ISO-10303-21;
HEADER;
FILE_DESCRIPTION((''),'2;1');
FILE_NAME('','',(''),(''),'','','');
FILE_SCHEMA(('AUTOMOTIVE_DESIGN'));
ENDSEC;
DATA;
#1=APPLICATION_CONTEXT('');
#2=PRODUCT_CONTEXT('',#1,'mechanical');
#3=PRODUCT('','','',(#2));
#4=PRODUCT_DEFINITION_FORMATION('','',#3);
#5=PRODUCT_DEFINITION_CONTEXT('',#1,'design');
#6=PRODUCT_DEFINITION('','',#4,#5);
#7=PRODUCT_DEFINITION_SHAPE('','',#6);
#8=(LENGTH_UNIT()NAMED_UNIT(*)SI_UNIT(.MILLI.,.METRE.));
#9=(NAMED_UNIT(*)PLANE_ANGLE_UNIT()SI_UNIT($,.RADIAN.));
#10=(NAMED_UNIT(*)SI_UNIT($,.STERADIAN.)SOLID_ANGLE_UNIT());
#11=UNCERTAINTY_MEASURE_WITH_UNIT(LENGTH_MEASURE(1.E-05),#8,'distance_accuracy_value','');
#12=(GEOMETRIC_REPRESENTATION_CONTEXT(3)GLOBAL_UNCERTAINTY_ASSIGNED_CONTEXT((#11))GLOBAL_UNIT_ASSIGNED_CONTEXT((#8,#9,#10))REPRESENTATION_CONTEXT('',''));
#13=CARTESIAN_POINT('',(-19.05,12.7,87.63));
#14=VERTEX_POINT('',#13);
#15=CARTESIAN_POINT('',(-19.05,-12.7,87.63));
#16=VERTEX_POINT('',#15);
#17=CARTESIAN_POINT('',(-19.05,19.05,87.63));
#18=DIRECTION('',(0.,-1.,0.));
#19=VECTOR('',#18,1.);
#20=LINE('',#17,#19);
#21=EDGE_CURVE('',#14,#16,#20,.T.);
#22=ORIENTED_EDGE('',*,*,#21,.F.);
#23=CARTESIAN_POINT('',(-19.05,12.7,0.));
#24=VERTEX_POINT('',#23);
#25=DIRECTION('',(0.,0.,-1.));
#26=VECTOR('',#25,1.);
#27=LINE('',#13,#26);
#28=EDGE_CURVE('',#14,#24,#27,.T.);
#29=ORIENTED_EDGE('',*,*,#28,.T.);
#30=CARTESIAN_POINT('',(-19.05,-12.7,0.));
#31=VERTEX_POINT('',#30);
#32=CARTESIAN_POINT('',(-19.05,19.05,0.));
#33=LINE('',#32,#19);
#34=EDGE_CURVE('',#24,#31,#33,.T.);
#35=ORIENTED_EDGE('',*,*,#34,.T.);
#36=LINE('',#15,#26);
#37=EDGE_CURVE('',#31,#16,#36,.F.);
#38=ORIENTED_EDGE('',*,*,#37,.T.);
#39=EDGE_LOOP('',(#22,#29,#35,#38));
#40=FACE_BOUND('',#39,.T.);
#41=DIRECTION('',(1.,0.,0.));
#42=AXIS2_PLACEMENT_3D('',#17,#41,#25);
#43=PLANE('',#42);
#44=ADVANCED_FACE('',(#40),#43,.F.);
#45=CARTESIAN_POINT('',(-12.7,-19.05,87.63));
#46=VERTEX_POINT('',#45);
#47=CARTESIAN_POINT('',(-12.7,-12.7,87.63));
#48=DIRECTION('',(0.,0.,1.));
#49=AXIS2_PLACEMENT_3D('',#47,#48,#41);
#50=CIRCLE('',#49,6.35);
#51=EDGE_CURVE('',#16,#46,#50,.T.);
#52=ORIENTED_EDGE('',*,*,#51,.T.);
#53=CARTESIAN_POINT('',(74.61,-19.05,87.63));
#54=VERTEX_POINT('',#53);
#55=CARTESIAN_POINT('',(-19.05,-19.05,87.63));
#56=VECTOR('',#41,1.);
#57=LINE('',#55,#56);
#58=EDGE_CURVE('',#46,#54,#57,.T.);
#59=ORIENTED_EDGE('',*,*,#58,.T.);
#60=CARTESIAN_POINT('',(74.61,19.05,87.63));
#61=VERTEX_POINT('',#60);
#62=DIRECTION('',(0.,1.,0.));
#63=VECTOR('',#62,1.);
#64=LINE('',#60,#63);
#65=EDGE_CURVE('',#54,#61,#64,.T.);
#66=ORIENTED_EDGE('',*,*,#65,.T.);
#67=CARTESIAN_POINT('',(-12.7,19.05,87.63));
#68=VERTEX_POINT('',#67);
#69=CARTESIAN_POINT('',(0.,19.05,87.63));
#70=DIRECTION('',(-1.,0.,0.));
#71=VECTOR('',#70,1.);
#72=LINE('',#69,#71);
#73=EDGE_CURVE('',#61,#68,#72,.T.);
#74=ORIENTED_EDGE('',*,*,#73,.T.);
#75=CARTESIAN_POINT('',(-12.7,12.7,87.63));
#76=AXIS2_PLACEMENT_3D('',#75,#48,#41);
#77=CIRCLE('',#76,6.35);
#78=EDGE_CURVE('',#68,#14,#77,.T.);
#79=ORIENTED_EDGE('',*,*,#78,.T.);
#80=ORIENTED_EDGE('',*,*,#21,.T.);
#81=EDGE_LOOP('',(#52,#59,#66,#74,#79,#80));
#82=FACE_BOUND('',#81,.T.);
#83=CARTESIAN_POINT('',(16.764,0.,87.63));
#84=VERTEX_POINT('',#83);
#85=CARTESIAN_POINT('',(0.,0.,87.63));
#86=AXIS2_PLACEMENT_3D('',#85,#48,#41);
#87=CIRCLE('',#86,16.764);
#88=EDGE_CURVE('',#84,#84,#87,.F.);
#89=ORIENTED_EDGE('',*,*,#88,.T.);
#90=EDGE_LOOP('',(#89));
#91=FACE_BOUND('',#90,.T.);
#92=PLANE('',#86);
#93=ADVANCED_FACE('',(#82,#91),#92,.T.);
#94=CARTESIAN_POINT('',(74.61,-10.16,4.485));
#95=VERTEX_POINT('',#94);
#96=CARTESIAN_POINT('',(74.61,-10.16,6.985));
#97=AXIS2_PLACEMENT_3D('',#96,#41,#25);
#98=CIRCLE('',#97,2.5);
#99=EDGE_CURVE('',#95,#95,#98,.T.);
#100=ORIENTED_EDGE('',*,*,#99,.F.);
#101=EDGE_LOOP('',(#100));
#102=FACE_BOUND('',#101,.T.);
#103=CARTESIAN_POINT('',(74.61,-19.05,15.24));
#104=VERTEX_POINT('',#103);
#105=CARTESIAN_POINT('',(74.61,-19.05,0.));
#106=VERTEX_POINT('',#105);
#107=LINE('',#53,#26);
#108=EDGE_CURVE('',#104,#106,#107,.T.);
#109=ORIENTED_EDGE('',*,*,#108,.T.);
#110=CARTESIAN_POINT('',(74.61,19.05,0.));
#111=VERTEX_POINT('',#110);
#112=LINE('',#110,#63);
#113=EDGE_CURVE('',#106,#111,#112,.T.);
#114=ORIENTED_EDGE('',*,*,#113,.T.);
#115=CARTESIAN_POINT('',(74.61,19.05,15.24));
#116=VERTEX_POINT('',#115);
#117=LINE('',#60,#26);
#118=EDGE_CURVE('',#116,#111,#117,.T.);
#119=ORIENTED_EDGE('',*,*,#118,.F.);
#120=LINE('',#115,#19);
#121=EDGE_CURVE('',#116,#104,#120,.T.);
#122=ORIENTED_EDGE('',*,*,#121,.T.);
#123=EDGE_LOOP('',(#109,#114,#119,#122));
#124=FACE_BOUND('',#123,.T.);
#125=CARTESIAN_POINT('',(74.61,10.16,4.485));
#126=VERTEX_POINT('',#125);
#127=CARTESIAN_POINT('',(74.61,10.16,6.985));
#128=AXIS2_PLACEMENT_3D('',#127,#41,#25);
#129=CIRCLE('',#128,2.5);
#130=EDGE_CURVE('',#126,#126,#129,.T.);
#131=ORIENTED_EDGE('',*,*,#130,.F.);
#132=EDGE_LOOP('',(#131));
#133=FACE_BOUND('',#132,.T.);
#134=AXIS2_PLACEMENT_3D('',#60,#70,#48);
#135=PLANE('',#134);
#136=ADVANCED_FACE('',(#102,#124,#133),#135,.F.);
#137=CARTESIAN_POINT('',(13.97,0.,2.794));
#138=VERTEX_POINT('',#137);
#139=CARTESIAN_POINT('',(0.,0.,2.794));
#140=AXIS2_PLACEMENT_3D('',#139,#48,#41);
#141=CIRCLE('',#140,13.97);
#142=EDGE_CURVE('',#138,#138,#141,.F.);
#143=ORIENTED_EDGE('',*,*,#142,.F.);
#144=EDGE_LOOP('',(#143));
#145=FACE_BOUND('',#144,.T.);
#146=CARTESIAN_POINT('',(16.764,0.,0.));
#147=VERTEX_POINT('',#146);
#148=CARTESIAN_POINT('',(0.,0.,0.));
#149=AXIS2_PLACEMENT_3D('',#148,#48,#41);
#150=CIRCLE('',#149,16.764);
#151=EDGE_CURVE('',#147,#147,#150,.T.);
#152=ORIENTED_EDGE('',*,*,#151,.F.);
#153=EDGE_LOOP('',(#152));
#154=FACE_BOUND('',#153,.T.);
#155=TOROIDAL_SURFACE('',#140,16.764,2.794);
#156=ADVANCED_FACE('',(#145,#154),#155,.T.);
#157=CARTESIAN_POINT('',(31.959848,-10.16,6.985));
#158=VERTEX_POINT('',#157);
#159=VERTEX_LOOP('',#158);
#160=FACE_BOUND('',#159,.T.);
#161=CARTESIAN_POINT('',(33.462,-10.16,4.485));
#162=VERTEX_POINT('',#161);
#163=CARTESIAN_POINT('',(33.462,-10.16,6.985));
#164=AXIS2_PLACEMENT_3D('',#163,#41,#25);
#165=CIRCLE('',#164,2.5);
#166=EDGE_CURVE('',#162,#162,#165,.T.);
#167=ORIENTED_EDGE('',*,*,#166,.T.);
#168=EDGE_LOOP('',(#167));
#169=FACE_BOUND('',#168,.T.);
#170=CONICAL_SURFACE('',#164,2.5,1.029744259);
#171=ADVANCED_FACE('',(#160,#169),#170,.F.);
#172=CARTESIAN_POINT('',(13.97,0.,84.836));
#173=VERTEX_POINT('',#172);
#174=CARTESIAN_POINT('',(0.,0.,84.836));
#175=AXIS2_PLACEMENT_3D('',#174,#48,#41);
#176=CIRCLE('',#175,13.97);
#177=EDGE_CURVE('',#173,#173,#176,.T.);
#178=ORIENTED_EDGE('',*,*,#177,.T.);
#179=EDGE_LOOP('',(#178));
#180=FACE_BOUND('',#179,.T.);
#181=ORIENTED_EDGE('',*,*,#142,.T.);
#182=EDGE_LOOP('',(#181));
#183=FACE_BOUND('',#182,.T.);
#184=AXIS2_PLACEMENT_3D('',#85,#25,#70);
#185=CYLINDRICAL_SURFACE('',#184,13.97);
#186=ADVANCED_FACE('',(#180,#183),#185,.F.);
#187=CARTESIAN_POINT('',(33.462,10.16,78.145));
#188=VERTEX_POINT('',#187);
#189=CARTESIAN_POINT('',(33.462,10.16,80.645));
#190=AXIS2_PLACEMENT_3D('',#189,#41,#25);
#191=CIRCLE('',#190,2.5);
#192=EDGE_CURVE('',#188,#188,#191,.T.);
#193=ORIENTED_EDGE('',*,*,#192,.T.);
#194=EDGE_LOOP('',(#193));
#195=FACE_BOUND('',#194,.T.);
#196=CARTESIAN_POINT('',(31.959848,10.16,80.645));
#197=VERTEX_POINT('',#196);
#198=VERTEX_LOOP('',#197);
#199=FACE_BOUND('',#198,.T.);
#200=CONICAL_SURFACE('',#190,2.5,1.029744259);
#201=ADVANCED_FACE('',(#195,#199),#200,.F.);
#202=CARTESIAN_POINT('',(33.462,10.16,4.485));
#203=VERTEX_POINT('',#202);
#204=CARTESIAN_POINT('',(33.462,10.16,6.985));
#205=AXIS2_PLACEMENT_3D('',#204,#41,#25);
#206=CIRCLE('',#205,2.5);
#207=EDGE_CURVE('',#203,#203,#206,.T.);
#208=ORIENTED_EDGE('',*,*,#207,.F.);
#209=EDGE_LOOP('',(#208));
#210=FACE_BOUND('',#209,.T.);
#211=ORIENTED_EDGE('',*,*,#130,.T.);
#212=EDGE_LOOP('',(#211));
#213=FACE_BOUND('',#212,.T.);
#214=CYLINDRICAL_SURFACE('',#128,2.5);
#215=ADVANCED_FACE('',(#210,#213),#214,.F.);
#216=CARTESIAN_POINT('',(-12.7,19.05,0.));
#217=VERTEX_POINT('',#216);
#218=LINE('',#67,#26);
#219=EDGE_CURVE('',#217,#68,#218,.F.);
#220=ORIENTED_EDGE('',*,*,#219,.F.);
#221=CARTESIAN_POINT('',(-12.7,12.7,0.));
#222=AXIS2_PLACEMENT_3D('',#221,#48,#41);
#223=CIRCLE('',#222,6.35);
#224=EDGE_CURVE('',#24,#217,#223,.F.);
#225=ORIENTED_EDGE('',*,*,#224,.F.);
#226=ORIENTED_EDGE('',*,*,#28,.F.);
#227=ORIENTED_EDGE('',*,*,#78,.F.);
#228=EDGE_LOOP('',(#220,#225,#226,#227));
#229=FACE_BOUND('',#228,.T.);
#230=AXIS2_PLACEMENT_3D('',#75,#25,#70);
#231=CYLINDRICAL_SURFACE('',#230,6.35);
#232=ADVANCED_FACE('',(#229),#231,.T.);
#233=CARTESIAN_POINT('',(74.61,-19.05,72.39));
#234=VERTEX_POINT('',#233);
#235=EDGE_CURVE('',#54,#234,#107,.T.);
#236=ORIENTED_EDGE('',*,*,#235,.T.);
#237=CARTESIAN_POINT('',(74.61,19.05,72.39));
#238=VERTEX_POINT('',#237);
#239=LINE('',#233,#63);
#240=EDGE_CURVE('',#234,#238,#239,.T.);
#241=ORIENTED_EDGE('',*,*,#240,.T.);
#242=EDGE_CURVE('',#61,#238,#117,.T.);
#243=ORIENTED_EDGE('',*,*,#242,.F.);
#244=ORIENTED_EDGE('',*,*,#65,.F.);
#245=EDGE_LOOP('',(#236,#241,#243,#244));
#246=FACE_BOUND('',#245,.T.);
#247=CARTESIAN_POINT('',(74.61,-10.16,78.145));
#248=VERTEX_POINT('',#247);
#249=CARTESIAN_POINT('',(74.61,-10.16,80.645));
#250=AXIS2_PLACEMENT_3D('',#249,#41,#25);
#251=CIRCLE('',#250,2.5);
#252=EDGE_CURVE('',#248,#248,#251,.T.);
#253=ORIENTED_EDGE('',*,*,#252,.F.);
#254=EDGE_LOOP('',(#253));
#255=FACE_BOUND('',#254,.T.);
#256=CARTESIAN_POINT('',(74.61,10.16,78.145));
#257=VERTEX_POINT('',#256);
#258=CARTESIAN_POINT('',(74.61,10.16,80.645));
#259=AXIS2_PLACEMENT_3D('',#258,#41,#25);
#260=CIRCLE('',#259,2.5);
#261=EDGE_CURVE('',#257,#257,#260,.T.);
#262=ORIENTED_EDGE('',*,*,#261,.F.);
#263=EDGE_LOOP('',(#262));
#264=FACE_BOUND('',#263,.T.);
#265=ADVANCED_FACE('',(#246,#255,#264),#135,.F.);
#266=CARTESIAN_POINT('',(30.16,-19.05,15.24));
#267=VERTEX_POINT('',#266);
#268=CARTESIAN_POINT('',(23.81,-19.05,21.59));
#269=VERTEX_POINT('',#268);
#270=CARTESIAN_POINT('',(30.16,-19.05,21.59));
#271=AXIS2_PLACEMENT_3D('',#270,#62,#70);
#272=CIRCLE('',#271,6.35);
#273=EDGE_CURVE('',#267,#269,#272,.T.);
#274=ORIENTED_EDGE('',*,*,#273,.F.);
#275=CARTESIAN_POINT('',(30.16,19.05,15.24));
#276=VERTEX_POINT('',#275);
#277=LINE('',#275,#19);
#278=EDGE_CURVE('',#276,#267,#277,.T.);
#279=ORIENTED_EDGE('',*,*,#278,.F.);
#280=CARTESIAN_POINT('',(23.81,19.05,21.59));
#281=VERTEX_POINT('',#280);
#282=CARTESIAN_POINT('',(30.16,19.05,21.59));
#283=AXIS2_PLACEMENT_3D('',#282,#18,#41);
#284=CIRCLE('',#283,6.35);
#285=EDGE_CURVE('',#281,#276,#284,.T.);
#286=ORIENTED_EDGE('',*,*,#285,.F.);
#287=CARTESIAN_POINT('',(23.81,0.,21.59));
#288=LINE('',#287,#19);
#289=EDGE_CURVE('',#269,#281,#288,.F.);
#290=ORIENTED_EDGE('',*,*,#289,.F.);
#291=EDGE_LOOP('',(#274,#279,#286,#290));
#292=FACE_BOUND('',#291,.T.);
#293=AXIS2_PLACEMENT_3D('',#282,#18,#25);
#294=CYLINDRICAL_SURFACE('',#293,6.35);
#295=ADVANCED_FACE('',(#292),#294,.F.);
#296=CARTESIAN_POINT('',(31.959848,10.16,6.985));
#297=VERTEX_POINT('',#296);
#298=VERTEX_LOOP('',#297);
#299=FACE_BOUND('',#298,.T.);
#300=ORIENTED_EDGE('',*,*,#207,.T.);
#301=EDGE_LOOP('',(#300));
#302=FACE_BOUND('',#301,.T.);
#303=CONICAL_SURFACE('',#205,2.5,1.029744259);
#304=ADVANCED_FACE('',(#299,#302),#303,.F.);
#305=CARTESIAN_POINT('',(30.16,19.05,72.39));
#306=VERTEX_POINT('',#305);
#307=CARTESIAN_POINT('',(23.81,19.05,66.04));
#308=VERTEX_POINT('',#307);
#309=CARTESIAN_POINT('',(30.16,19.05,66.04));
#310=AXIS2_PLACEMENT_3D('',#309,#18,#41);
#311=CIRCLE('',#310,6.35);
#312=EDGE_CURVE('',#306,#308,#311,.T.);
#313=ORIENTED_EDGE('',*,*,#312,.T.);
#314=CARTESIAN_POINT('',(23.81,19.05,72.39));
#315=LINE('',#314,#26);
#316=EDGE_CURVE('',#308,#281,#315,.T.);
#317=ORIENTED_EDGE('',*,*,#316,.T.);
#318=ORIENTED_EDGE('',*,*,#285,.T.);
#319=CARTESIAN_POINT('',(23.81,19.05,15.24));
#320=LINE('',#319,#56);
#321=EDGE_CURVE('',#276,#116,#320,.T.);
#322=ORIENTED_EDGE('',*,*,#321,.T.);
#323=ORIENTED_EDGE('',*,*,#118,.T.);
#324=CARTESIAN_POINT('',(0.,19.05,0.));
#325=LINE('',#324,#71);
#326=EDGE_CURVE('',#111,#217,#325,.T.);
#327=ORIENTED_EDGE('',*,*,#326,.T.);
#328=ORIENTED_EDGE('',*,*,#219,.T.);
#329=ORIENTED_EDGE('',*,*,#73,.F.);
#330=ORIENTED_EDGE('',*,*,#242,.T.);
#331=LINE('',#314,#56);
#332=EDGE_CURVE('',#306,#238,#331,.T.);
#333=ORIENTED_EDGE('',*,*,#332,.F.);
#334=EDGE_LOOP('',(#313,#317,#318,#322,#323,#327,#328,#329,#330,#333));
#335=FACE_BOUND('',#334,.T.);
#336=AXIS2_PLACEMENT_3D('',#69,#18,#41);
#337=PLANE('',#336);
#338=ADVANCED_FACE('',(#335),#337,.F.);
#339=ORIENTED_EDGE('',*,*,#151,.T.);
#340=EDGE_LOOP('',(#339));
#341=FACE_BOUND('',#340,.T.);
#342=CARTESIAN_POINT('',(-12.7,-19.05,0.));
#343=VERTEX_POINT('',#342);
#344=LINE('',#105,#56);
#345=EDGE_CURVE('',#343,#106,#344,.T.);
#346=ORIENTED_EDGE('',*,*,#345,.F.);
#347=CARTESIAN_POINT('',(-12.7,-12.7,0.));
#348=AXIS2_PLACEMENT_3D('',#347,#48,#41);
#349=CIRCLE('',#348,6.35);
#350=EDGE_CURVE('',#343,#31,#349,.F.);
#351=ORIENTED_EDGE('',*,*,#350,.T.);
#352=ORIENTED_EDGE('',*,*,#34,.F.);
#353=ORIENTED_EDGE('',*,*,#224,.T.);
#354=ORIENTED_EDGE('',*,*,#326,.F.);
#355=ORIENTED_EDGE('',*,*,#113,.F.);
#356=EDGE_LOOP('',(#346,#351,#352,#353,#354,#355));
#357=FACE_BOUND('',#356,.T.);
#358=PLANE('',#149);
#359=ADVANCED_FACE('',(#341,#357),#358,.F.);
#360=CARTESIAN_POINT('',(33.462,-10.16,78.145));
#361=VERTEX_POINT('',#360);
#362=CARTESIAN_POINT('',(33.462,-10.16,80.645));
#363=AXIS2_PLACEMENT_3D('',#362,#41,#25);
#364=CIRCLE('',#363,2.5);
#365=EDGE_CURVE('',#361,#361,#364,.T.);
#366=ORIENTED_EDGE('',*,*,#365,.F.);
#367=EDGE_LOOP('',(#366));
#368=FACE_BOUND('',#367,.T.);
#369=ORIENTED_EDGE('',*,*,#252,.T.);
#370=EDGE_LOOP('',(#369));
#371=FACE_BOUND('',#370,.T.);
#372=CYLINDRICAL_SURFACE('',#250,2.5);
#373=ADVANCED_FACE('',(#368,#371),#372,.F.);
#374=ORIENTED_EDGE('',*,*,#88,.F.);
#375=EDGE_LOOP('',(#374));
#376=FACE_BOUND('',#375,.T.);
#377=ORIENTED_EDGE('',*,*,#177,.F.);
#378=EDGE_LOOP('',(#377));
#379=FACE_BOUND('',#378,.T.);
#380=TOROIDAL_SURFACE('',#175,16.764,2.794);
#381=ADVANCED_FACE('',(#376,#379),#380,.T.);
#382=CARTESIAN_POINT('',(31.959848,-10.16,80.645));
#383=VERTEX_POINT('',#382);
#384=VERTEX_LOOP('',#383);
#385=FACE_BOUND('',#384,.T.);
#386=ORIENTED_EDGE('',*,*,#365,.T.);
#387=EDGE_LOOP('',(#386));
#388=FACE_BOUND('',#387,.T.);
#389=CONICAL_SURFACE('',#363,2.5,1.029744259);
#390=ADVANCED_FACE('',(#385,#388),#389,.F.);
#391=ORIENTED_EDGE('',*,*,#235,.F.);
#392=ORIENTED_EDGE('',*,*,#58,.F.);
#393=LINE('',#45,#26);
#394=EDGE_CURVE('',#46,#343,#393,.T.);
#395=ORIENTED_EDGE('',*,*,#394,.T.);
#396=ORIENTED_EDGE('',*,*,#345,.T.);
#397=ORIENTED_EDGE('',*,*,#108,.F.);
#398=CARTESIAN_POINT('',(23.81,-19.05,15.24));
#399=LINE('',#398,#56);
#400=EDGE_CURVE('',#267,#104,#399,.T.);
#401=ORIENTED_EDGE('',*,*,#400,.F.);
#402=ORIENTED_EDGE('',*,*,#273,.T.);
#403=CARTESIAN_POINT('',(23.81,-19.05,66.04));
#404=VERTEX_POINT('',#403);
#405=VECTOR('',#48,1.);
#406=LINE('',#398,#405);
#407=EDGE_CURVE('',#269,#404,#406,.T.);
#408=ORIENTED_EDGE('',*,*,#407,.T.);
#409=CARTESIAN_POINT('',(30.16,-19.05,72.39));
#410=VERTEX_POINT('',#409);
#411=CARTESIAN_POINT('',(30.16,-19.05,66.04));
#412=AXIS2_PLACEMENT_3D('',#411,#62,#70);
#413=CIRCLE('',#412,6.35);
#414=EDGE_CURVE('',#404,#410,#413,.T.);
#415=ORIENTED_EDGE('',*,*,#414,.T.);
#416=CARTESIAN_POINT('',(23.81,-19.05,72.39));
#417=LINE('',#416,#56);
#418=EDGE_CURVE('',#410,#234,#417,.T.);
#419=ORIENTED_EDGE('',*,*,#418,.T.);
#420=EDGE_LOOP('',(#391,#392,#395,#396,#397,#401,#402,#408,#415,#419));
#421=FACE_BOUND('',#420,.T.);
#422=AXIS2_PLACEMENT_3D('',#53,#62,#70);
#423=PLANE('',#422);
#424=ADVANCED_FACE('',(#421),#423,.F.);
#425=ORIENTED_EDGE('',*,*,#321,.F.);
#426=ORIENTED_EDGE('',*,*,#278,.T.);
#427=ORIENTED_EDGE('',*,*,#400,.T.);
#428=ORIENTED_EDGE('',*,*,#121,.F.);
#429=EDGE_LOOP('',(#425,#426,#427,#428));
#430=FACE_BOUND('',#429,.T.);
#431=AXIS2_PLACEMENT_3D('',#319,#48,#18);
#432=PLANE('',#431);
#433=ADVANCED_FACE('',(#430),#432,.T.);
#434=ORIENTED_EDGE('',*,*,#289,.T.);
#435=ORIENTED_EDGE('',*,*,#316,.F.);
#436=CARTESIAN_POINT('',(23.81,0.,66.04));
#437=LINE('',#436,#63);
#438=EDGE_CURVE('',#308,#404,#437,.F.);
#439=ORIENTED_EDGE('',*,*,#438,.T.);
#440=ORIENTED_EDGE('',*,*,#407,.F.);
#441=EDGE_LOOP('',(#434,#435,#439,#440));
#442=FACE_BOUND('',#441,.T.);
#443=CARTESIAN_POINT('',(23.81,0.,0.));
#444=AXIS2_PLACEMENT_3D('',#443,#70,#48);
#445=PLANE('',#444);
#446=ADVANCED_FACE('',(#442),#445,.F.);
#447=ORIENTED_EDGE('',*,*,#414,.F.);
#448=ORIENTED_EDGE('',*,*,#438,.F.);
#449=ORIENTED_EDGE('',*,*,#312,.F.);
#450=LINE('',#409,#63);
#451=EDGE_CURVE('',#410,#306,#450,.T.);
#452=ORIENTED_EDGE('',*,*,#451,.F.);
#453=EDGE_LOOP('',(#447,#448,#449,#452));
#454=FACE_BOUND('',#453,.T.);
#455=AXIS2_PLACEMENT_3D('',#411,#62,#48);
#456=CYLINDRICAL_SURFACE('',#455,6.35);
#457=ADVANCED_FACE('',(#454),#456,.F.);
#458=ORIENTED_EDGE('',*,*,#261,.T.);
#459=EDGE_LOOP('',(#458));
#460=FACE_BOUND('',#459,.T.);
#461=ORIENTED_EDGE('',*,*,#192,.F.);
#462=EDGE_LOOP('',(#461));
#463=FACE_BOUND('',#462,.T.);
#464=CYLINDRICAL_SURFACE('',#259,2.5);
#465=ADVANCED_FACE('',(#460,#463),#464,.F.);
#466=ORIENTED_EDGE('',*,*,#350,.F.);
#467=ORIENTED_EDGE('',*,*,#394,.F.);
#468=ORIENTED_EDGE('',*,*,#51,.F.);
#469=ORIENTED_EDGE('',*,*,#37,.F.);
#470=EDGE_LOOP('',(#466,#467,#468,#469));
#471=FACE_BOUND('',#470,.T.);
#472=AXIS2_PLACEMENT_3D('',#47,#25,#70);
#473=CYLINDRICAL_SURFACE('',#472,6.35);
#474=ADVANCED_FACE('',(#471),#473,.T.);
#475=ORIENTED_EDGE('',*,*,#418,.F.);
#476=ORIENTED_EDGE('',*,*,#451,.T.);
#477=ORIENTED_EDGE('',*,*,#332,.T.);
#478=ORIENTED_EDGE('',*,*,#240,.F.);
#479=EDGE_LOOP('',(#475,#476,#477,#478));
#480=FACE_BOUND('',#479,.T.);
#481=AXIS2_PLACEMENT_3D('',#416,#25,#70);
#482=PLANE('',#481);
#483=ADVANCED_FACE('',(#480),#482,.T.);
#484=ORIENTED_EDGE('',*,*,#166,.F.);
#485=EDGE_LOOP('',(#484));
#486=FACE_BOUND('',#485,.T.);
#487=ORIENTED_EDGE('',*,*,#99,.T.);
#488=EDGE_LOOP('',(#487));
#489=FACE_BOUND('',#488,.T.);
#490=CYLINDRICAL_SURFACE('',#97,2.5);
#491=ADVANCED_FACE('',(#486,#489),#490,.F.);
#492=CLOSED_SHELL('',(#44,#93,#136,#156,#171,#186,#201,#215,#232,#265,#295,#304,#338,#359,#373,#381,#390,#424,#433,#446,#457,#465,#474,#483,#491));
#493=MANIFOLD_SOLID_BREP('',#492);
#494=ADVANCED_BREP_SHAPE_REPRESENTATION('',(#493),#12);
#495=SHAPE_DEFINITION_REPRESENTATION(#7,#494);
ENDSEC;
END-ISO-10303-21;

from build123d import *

# Parameters (mm, degrees)
SKETCH1_R                 = 13.97
BOSS_EXTRUDE1_DEPTH       = 87.63
FILLET3_R                 = 2.794
M6X1_0_TAPPED_HOLE1_D     = 5
M6X1_0_TAPPED_HOLE1_DEPTH = 41.148
M6X1_0_TAPPED_HOLE1_TIP   = 1.502151548
CUT_EXTRUDE1_DEPTH        = 50.8
FILLET4_R                 = 6.35
FILLET5_R                 = 6.35


with BuildPart() as part:
    # Sketch1 → Boss-Extrude1 (new body)
    with BuildSketch(Plane.XY):
        Polygon((74.609999878, 19.05), (0, 19.05), (-19.05, 19.05), (-19.05, -19.05), (0, -19.05), (74.609999878, -19.05), align=None)
        Circle(SKETCH1_R, mode=Mode.SUBTRACT)
    extrude(amount=BOSS_EXTRUDE1_DEPTH)

    # Fillet3
    fillet3_edges = [part.edges().sort_by_distance(p)[0] for p in [
        (-13.97, 0, 0),
        (-13.97, 0, 87.63),
    ]]
    fillet(fillet3_edges, radius=FILLET3_R)

    # M6x1.0 Tapped Hole1
    with Locations(Plane(origin=(74.609999878, 0, 0), x_dir=(0, 0, -1), z_dir=(1, 0, 0))):
        with Locations((-80.645, -10.16), (-80.645, 10.16), (-6.985, 10.16), (-6.985, -10.16)):
            Hole(M6X1_0_TAPPED_HOLE1_D / 2, depth=M6X1_0_TAPPED_HOLE1_DEPTH)
            with Locations((0, 0, -(M6X1_0_TAPPED_HOLE1_DEPTH + M6X1_0_TAPPED_HOLE1_TIP / 2))):  # 118° drill point
                Cone(0, M6X1_0_TAPPED_HOLE1_D / 2, M6X1_0_TAPPED_HOLE1_TIP, mode=Mode.SUBTRACT)

    # Sketch16 → Cut-Extrude1 (cut)
    with BuildSketch(Plane(origin=(74.609999878, 0, 0), x_dir=(0, 0, -1), z_dir=(1, 0, 0))):
        Polygon((-15.24, 19.05), (-15.24, -19.05), (-72.39, -19.05), (-72.39, 19.05), (-43.815, 19.05), align=None)
    extrude(amount=-CUT_EXTRUDE1_DEPTH, mode=Mode.SUBTRACT)

    # Fillet4
    fillet4_edges = [part.edges().sort_by_distance(p)[0] for p in [
        (23.809999878, 0, 15.24),
        (23.809999878, 0, 72.39),
    ]]
    fillet(fillet4_edges, radius=FILLET4_R)

    # Fillet5
    fillet5_edges = [part.edges().sort_by_distance(p)[0] for p in [
        (-19.05, -19.05, 43.815),
        (-19.05, 19.05, 43.815),
    ]]
    fillet(fillet5_edges, radius=FILLET5_R)


solid = part.part
